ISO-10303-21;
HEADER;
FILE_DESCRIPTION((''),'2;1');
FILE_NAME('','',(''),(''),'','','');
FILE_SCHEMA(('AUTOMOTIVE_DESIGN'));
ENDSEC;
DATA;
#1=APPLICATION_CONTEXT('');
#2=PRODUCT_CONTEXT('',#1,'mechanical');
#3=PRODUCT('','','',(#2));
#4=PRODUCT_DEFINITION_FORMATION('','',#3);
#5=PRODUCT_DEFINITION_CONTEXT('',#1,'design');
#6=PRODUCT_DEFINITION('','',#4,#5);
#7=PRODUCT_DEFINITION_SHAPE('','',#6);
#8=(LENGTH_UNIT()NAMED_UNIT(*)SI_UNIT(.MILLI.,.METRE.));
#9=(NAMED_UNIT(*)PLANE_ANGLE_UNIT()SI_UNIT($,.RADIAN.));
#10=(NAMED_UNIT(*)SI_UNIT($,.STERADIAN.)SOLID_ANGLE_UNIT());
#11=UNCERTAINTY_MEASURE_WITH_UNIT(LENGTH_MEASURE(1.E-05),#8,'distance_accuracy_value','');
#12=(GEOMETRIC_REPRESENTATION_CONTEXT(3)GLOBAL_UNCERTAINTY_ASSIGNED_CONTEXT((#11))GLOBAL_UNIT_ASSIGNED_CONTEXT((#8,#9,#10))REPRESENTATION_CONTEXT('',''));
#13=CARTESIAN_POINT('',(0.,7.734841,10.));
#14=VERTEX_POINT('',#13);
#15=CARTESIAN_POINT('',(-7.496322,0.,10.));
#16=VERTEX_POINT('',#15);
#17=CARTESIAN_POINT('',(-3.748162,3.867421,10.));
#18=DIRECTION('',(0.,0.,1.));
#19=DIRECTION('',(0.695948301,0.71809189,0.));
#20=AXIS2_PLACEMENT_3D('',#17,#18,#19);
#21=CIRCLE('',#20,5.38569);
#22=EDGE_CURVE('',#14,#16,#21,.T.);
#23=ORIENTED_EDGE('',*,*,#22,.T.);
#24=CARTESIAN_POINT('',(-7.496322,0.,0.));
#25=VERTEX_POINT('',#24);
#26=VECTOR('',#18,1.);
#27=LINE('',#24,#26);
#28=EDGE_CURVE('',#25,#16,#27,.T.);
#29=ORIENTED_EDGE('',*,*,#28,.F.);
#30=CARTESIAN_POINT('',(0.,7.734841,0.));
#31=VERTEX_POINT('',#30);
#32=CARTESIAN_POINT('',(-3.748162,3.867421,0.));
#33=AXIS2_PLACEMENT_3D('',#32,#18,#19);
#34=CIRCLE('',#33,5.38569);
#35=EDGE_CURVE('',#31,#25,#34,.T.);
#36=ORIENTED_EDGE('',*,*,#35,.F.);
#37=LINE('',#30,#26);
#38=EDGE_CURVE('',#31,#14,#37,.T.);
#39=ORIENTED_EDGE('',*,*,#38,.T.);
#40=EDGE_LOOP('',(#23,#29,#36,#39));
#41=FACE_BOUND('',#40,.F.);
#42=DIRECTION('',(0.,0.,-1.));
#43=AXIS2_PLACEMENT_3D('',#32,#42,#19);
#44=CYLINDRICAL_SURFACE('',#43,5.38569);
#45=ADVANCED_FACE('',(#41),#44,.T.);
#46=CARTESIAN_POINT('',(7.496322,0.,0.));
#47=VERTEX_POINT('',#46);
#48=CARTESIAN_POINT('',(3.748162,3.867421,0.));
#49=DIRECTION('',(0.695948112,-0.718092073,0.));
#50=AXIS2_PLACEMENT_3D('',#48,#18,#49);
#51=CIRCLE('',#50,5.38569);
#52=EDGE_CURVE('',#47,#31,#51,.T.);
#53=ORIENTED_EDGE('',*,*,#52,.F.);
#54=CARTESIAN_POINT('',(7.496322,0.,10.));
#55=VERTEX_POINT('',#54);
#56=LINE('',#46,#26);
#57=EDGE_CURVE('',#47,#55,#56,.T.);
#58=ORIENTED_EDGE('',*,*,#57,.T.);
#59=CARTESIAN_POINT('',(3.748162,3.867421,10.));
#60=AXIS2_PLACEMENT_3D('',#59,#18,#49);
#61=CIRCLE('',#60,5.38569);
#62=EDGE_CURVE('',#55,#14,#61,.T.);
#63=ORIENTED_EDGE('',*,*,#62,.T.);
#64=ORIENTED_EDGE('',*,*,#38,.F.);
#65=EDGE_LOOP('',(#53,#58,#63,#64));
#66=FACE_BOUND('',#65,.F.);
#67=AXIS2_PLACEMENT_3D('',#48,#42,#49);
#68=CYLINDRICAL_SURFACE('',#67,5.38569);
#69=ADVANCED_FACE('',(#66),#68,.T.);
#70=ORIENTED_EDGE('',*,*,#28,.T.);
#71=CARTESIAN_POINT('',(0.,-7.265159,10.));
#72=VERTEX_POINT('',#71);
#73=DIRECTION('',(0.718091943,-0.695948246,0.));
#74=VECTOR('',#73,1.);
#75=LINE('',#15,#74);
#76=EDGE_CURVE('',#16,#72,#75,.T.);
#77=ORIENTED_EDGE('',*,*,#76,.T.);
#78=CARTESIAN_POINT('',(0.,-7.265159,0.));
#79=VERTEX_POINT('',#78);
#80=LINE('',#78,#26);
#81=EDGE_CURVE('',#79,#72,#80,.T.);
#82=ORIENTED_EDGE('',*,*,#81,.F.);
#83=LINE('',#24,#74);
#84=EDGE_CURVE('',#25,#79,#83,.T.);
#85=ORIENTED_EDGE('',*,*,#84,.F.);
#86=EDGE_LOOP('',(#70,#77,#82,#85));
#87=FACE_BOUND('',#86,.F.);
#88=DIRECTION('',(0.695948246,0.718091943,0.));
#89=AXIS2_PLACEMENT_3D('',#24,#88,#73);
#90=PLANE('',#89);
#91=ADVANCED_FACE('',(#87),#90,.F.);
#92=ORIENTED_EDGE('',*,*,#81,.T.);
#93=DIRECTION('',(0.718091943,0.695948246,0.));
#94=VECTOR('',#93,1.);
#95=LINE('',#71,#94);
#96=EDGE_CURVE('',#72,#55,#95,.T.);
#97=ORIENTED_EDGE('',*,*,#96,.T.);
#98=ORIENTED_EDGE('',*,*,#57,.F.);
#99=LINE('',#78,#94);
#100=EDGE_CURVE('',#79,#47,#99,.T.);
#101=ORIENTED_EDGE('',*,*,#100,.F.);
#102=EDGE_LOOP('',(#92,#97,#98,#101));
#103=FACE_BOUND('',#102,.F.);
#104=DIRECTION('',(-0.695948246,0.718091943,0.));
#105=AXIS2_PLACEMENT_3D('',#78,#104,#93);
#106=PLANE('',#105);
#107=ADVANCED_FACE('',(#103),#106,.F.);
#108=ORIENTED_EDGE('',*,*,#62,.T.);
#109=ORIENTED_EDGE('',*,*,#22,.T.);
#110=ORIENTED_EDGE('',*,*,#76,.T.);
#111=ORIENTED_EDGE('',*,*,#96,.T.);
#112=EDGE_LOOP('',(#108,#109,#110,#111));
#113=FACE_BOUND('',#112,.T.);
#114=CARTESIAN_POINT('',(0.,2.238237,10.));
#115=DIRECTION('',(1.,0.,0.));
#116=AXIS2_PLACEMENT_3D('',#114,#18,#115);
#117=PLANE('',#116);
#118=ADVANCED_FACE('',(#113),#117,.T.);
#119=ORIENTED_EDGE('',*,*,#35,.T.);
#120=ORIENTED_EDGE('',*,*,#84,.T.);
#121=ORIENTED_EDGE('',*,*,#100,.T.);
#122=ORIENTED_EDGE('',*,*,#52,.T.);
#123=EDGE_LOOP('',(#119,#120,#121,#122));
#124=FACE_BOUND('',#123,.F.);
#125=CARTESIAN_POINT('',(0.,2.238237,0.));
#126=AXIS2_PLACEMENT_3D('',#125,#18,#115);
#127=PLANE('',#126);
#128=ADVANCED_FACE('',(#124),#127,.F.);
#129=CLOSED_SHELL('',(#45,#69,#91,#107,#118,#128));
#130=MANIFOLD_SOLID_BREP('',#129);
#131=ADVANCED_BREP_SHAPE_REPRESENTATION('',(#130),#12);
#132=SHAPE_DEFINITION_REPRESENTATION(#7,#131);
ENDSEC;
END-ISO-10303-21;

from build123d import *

# Parameters (mm, degrees)
F1_DEPTH = 10


with BuildPart() as f1:
    # F0 (on Top) → F1 (new body)
    with BuildSketch(Plane.XY):
        with BuildLine():
            Line((-7.496322, 0), (0, -7.265159))
            Line((0, -7.265159), (7.496322, 0))
            ThreePointArc((7.496322, 0), (7.615582, 7.615582), (0, 7.734841))
            ThreePointArc((0, 7.734841), (-7.615582, 7.615582), (-7.496322, 0))
        make_face()
    extrude(amount=F1_DEPTH)


solid = f1.part
